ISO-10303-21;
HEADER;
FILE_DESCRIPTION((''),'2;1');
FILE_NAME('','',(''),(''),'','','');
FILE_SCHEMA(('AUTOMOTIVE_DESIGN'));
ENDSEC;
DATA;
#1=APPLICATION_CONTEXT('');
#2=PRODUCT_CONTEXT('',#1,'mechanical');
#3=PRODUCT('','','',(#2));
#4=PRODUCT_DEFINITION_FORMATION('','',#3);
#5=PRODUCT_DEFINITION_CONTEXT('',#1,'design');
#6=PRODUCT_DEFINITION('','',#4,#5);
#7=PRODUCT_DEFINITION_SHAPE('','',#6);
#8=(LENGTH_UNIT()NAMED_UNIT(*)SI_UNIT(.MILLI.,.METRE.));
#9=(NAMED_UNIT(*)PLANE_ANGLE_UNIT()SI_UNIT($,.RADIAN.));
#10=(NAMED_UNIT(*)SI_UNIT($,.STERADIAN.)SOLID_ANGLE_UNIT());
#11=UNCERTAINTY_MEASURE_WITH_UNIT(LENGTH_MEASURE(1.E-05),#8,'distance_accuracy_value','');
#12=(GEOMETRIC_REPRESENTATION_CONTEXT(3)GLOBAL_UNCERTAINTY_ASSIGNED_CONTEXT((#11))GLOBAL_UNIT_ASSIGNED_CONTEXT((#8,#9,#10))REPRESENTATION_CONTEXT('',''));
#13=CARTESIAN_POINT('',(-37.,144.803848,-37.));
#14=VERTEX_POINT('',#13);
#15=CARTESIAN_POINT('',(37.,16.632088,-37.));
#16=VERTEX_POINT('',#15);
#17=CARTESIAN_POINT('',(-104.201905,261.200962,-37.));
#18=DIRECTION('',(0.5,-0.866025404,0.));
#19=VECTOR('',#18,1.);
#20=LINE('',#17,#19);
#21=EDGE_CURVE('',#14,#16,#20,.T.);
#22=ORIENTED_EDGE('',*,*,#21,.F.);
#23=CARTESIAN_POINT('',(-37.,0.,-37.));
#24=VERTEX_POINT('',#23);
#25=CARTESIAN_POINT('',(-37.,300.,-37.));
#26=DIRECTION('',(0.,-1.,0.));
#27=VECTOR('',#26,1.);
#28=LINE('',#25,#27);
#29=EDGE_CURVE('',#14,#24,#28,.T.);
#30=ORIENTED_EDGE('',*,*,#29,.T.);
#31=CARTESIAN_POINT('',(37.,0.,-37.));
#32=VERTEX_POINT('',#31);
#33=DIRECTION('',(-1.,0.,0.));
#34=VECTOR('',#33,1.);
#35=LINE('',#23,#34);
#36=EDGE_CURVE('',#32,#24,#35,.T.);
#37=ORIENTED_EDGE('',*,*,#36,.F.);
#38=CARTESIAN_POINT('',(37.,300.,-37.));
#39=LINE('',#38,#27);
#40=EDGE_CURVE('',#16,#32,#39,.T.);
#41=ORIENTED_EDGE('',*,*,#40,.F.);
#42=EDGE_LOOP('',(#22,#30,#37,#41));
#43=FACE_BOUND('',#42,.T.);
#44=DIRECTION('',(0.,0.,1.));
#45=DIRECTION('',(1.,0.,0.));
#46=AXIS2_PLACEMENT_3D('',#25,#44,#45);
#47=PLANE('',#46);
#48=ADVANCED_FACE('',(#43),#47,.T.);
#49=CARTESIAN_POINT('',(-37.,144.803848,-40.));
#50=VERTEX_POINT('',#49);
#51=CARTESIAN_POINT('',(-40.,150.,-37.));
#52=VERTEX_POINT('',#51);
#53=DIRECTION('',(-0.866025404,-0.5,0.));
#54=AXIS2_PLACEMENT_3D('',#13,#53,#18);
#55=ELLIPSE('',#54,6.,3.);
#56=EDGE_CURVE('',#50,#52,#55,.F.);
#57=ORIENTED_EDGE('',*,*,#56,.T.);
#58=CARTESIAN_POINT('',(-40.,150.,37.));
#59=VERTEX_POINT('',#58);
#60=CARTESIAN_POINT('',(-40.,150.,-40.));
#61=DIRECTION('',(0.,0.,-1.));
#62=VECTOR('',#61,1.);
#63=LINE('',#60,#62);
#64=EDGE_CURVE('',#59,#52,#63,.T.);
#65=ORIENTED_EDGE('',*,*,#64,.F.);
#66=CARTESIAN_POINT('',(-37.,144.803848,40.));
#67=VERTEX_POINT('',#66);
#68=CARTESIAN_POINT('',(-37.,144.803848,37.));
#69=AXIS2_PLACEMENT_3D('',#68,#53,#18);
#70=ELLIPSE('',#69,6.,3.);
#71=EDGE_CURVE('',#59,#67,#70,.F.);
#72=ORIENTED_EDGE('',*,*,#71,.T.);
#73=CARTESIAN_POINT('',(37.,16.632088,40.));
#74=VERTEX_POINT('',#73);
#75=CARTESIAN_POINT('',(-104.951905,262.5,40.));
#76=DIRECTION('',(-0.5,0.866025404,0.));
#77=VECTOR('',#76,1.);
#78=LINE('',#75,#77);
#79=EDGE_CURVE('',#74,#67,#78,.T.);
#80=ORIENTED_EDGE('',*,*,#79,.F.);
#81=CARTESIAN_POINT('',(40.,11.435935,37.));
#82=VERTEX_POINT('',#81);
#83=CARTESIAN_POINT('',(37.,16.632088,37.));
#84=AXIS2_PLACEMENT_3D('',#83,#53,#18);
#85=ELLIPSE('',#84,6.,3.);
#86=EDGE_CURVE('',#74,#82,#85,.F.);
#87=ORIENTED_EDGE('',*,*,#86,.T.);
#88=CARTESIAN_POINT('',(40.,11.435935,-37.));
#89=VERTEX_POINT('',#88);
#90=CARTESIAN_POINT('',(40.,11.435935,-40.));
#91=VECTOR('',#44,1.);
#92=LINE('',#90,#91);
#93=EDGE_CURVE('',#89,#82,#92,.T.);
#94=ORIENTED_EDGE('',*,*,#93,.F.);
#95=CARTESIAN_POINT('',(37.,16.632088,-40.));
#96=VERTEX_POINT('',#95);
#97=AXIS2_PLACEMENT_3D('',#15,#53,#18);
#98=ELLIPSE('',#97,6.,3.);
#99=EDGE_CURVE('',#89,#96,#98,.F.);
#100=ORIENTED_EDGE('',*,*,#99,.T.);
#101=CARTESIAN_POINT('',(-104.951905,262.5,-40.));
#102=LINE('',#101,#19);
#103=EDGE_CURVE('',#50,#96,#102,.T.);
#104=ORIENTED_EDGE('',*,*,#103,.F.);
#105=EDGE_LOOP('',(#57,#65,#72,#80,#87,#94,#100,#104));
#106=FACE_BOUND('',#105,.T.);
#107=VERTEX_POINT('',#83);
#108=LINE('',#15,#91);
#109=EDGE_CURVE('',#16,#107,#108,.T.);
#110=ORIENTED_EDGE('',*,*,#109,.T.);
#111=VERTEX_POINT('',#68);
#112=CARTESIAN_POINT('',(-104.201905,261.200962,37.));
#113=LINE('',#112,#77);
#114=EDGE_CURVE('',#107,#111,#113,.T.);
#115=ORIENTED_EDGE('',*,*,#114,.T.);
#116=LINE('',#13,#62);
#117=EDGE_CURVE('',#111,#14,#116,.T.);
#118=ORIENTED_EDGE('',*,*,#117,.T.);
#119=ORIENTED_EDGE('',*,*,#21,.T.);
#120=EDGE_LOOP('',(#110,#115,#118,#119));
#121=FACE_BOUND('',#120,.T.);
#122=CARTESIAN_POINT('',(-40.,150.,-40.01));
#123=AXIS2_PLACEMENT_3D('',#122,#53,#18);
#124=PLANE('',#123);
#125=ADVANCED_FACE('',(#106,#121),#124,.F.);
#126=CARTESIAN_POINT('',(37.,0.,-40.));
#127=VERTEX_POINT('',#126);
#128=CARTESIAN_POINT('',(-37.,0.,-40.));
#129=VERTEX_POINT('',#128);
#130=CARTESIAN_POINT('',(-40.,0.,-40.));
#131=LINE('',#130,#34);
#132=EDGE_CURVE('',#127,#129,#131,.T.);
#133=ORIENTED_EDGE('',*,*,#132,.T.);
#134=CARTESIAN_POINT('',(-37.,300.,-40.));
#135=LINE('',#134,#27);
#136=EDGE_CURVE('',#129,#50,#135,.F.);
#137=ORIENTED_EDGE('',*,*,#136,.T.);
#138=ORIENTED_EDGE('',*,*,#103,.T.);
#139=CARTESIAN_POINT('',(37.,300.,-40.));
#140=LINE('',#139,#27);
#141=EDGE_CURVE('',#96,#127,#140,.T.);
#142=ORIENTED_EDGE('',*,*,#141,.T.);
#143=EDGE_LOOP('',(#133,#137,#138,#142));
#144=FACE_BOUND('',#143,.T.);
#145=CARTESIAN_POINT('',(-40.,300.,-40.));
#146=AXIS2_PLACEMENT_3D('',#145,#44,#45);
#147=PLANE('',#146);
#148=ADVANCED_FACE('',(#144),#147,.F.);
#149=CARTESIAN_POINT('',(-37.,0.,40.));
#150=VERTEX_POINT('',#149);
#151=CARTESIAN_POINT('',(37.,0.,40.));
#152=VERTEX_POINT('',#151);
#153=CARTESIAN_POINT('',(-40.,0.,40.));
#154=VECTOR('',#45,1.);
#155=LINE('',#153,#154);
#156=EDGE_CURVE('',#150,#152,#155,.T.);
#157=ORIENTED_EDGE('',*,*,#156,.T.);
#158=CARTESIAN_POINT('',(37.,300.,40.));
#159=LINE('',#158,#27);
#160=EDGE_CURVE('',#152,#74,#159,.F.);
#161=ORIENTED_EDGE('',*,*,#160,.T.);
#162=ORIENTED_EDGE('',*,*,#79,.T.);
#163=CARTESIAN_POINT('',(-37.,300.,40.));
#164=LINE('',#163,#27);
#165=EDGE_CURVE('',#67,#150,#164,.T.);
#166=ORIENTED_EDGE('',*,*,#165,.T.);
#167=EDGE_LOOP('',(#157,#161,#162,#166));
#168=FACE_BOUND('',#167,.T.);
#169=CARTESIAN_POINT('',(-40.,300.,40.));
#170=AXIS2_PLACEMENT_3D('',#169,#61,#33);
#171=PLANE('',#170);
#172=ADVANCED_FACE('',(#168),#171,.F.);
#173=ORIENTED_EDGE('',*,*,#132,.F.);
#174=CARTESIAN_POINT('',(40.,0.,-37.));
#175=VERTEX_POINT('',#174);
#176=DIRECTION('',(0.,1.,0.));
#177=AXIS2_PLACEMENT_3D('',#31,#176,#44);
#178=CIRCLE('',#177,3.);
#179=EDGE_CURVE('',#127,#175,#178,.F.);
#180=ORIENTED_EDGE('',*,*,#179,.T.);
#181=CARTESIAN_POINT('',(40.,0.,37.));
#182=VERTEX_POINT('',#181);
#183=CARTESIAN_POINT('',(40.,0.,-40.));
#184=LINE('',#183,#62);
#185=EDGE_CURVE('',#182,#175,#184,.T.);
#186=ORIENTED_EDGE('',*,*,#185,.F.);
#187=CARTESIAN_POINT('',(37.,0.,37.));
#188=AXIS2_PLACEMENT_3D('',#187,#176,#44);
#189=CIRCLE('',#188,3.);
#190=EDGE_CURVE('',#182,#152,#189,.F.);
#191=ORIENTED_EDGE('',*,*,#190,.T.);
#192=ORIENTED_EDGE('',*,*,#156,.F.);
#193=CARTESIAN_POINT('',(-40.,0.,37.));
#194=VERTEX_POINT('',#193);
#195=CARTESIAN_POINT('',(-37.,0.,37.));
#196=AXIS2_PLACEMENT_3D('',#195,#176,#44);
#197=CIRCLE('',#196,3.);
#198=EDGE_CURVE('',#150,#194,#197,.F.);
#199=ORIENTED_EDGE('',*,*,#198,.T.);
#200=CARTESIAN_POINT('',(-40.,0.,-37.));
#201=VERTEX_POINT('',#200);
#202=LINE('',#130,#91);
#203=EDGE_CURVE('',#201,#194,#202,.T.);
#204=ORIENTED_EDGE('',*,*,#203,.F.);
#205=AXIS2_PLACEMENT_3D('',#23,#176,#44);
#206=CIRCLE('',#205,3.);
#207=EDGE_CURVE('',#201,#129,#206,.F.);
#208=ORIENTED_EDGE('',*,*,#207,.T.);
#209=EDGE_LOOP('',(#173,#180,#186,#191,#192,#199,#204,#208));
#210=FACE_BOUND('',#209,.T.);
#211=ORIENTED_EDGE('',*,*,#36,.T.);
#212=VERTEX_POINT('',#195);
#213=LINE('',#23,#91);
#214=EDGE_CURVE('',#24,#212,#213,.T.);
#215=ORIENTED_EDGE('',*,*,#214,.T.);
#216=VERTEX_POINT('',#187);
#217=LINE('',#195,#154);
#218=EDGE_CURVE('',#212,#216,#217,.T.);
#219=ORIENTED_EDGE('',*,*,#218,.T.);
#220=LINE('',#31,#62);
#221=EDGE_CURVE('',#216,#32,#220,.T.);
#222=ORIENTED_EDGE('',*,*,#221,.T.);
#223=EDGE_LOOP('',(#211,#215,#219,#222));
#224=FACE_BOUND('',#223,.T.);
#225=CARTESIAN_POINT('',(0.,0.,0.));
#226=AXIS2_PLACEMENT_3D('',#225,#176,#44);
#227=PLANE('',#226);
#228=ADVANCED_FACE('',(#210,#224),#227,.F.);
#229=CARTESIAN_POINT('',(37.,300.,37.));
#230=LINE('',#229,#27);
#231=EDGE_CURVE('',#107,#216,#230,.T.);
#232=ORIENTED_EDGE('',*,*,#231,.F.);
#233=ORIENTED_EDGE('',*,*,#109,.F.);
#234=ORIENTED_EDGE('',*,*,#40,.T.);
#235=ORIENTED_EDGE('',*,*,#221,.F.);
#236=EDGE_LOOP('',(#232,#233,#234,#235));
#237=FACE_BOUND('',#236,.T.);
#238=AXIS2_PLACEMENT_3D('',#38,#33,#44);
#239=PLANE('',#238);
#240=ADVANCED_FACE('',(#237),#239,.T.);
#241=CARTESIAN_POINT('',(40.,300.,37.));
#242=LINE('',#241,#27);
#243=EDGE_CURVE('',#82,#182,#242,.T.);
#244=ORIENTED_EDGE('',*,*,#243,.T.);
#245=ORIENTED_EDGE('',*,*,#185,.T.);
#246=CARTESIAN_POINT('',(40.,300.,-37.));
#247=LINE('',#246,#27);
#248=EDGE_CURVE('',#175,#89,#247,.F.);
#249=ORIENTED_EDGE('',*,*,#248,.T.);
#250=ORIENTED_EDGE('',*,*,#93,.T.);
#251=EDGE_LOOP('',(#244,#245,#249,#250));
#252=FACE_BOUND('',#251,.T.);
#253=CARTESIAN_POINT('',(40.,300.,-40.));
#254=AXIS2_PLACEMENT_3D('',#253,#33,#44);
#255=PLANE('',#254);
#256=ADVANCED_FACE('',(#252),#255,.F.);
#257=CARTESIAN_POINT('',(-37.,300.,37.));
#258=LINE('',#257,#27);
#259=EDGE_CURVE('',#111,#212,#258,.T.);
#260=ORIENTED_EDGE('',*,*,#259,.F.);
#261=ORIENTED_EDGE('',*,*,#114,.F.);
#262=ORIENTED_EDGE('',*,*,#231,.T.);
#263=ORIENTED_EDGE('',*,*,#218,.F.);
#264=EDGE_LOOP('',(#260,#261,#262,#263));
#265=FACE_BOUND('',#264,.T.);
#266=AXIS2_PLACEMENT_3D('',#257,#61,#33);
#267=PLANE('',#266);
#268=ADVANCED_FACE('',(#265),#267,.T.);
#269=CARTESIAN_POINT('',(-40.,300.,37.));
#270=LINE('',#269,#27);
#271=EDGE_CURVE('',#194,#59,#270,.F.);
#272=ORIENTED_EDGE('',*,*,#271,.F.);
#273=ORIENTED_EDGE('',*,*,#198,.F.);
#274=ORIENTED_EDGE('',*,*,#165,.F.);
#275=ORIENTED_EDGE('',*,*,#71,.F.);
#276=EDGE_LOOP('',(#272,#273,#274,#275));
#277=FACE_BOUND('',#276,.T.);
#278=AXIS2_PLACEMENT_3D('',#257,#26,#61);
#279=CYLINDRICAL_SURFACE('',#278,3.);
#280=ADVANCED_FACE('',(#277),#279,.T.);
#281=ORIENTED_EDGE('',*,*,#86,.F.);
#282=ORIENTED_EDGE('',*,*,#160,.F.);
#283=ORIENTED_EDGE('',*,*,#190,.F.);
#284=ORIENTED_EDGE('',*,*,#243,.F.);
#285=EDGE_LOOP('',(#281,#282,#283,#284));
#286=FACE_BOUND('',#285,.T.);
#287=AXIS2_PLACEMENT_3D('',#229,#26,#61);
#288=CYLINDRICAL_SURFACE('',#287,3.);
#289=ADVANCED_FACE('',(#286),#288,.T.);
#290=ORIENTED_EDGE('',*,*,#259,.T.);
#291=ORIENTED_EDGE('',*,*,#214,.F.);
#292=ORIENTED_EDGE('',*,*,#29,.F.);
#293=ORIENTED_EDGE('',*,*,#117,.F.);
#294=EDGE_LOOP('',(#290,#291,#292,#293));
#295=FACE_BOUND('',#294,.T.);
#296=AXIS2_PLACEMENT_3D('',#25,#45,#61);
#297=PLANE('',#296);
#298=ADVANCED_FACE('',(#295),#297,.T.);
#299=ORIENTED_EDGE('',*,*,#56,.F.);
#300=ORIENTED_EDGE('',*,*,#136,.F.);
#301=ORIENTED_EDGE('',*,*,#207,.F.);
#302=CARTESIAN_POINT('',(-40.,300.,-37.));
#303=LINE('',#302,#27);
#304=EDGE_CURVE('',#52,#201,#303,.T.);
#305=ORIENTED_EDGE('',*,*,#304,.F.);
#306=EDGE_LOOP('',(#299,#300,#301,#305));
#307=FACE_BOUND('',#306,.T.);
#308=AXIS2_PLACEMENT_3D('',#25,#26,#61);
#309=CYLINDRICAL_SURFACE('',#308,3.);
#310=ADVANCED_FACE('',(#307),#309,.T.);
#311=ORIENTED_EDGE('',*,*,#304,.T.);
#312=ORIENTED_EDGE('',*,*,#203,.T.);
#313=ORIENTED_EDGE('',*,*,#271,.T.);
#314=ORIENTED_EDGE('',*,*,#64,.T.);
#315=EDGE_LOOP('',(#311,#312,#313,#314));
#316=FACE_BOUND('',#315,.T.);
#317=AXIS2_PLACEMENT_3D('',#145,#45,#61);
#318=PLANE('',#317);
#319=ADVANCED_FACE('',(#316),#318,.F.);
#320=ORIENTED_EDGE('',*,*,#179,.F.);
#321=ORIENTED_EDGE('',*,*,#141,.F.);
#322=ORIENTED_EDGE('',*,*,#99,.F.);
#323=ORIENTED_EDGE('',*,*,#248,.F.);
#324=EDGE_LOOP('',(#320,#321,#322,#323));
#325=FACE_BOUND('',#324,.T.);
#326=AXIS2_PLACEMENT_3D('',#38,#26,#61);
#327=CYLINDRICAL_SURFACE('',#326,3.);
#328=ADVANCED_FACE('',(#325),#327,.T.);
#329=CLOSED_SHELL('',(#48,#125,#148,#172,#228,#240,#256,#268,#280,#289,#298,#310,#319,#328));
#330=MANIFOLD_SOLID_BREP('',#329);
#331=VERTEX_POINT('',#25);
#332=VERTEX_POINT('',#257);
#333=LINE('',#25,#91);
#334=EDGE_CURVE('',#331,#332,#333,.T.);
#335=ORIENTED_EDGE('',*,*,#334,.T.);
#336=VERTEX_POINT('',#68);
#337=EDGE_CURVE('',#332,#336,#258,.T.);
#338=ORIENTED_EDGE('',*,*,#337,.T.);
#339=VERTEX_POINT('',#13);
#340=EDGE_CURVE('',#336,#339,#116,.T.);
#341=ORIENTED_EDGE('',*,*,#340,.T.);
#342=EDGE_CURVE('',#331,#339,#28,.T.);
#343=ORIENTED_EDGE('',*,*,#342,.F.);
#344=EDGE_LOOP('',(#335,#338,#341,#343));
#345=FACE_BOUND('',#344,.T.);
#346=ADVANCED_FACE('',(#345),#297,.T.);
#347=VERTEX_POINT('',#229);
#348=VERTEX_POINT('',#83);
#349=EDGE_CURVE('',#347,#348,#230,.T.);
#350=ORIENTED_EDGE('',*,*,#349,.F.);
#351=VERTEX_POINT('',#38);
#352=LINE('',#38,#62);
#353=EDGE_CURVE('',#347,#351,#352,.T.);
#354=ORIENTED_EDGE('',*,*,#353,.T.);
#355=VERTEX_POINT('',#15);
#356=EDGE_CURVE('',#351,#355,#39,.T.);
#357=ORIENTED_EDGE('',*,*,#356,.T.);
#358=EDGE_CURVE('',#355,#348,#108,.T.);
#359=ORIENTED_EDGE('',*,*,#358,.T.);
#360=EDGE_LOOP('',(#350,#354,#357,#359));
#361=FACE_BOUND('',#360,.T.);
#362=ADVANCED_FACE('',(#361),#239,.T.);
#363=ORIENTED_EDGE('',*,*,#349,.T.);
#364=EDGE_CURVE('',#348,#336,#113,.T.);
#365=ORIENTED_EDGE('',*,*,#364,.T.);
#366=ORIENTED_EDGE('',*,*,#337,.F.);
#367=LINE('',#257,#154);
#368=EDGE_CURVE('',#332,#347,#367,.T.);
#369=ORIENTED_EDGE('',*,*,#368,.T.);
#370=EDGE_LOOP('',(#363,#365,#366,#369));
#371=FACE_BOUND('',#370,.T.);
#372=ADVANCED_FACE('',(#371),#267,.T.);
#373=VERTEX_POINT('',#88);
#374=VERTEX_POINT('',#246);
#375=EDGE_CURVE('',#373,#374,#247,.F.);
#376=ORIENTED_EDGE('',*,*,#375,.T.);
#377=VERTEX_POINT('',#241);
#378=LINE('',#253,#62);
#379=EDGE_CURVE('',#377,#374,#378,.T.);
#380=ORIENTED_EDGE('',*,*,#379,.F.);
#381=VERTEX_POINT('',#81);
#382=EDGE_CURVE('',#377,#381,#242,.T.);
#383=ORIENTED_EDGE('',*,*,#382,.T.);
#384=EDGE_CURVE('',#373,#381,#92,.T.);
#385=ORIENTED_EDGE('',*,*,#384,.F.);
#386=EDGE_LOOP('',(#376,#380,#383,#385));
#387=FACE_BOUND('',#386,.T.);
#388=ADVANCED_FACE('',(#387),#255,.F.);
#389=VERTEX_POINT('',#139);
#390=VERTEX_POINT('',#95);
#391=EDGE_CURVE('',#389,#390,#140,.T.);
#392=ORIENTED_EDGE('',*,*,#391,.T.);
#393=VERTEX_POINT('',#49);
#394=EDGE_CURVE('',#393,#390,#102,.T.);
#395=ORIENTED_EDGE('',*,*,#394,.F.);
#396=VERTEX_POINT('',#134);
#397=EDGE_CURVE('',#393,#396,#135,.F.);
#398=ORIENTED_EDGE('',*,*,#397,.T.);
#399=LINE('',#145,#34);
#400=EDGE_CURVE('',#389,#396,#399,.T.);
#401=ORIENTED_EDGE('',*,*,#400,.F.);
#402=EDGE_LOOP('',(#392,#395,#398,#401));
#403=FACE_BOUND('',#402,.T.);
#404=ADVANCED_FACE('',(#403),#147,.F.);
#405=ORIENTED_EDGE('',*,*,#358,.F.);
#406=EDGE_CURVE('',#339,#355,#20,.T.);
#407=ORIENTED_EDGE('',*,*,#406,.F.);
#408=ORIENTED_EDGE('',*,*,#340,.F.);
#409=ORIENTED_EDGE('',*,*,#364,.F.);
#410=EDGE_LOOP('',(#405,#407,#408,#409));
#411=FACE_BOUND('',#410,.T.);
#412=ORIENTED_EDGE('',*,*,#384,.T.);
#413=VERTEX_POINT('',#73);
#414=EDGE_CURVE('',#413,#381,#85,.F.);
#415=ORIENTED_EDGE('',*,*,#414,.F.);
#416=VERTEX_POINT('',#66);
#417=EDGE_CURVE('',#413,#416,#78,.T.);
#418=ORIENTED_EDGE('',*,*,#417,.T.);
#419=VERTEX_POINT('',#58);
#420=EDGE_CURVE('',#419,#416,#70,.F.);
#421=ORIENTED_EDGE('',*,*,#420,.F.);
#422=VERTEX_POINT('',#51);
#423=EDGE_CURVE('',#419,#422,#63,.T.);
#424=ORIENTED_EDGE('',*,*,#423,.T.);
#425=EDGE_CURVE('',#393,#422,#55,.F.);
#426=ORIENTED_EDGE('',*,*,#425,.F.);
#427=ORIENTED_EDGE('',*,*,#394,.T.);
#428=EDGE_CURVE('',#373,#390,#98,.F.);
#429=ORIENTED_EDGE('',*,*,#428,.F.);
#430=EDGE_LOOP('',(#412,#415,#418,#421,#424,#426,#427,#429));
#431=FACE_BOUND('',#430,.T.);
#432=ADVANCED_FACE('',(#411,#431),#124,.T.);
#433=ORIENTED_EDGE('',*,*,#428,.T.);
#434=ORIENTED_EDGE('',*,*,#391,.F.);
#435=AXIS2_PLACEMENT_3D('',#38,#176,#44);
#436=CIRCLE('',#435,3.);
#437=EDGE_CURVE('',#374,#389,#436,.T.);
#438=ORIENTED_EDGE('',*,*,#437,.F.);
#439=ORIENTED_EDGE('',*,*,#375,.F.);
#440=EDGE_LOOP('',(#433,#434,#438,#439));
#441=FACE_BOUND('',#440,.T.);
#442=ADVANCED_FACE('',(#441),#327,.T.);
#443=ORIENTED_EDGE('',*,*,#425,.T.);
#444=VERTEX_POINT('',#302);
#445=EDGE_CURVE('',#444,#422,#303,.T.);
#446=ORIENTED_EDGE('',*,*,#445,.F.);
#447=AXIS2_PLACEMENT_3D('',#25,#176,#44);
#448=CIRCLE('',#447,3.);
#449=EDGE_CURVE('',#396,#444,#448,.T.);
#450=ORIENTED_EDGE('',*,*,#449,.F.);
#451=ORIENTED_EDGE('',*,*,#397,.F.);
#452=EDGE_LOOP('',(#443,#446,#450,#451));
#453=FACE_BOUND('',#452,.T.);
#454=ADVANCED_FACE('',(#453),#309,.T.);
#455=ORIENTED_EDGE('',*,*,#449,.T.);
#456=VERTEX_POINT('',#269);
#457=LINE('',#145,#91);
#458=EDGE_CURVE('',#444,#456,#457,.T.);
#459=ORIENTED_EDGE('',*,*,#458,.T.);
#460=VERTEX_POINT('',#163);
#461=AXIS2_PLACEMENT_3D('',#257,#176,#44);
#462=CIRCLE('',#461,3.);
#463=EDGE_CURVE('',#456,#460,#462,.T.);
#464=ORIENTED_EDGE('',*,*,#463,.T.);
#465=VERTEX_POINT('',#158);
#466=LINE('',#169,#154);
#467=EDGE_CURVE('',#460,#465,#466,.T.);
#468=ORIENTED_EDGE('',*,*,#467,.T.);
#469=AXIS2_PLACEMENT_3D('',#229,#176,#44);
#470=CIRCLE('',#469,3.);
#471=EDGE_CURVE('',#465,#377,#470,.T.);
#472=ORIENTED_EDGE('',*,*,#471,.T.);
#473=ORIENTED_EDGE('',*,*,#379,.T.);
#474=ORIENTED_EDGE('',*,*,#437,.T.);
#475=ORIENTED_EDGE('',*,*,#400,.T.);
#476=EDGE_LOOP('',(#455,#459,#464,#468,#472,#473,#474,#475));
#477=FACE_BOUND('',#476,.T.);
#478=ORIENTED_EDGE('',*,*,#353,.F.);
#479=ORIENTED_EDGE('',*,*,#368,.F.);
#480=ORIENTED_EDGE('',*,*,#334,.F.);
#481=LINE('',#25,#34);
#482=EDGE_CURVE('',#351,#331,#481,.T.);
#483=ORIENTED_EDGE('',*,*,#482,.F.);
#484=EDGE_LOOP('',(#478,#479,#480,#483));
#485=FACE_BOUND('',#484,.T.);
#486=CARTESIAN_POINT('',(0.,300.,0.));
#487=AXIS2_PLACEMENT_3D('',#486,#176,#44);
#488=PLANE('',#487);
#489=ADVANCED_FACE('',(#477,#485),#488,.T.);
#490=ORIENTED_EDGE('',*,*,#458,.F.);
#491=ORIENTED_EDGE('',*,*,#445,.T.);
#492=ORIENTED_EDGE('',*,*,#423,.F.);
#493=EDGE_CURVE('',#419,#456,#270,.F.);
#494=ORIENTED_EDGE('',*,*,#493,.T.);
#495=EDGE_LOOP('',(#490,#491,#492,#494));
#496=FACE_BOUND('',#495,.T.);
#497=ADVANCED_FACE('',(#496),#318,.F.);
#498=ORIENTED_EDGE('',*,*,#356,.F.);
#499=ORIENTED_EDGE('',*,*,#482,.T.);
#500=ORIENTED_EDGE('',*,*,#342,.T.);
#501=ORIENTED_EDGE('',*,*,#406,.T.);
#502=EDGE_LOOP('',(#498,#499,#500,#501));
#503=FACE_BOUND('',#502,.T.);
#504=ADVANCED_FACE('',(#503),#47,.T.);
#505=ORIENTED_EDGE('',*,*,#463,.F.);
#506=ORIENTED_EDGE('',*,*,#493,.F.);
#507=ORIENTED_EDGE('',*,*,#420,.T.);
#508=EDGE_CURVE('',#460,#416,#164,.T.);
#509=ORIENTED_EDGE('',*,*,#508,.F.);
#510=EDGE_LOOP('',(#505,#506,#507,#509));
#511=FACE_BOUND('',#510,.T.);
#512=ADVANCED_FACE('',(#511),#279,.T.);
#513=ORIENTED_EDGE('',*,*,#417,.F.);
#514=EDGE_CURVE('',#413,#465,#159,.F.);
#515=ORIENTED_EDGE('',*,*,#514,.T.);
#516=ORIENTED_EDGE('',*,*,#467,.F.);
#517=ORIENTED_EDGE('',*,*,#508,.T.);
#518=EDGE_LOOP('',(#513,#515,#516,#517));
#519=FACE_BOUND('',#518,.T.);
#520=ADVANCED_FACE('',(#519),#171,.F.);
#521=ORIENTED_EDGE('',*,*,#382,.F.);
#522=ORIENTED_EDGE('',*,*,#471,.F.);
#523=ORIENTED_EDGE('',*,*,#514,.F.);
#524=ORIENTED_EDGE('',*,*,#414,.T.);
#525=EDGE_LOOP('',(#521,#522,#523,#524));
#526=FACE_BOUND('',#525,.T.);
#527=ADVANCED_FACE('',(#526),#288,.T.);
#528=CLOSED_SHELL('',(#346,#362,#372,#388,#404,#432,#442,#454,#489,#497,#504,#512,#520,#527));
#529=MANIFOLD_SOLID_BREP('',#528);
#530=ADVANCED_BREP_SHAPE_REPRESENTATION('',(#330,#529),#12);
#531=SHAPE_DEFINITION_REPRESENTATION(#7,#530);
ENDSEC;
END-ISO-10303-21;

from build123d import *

# Parameters (mm, degrees)
SKETCH_1_W                     = 80
SKETCH_1_H                     = 80
SKETCH_1_W_2                   = 74
SKETCH_1_H_2                   = 74
EXTRUDE_1_DEPTH                = 300
FILLET_1_R                     = 3
SPLIT_BODIES_1_SURFACE_1_BACK  = 321.624
SPLIT_BODIES_1_SURFACE_1_DEPTH = 643.248
SPLIT_BODIES_1_SURFACE_2_BACK  = 321.624
SPLIT_BODIES_1_SURFACE_2_DEPTH = 643.248


with BuildPart() as part:
    # 草图1 → 凸台-拉伸1 (new body)
    with BuildSketch(Plane(origin=(0, 0, 0), x_dir=(1, 0, 0), z_dir=(0, 1, 0))):
        Rectangle(SKETCH_1_W, SKETCH_1_H)
        Rectangle(SKETCH_1_W_2, SKETCH_1_H_2, mode=Mode.SUBTRACT)
    extrude(amount=EXTRUDE_1_DEPTH)

    # 圆角1
    fillet_1_edges = [part.edges().sort_by_distance(p)[0] for p in [
        (40, 150, 40),
        (-40, 150, 40),
        (-40, 150, -40),
        (40, 150, -40),
    ]]
    fillet(fillet_1_edges, radius=FILLET_1_R)


with BuildPart() as body_2:
    # Split Bodies 1: the piece behind the surface
    add(part.part)
    # Split Bodies 1 surface: a surface, the sketch's curves swept straight by 643.248 mm
    with BuildLine(Plane.XY.offset(40).offset(-SPLIT_BODIES_1_SURFACE_1_BACK), mode=Mode.PRIVATE) as split_bodies_1_surface_1_path:
        Line((-40, 150), (46.414872124, 0.325050951))
    split_bodies_1_surface_1 = Shell.extrude(split_bodies_1_surface_1_path.wire(), (0 * SPLIT_BODIES_1_SURFACE_1_DEPTH, 0 * SPLIT_BODIES_1_SURFACE_1_DEPTH, 1 * SPLIT_BODIES_1_SURFACE_1_DEPTH))
    split(bisect_by=split_bodies_1_surface_1, keep=Keep.BOTTOM)


with BuildPart() as part_1:
    add(part.part)

    # Split Bodies 1: split by a surface, the side it looks to stays
    # Split Bodies 1 surface: a surface, the sketch's curves swept straight by 643.248 mm
    with BuildLine(Plane.XY.offset(40).offset(-SPLIT_BODIES_1_SURFACE_2_BACK), mode=Mode.PRIVATE) as split_bodies_1_surface_2_path:
        Line((-40, 150), (46.414872124, 0.325050951))
    split_bodies_1_surface_2 = Shell.extrude(split_bodies_1_surface_2_path.wire(), (0 * SPLIT_BODIES_1_SURFACE_2_DEPTH, 0 * SPLIT_BODIES_1_SURFACE_2_DEPTH, 1 * SPLIT_BODIES_1_SURFACE_2_DEPTH))
    split(bisect_by=split_bodies_1_surface_2, keep=Keep.TOP)


solid = Compound([body_2.part, part_1.part])
